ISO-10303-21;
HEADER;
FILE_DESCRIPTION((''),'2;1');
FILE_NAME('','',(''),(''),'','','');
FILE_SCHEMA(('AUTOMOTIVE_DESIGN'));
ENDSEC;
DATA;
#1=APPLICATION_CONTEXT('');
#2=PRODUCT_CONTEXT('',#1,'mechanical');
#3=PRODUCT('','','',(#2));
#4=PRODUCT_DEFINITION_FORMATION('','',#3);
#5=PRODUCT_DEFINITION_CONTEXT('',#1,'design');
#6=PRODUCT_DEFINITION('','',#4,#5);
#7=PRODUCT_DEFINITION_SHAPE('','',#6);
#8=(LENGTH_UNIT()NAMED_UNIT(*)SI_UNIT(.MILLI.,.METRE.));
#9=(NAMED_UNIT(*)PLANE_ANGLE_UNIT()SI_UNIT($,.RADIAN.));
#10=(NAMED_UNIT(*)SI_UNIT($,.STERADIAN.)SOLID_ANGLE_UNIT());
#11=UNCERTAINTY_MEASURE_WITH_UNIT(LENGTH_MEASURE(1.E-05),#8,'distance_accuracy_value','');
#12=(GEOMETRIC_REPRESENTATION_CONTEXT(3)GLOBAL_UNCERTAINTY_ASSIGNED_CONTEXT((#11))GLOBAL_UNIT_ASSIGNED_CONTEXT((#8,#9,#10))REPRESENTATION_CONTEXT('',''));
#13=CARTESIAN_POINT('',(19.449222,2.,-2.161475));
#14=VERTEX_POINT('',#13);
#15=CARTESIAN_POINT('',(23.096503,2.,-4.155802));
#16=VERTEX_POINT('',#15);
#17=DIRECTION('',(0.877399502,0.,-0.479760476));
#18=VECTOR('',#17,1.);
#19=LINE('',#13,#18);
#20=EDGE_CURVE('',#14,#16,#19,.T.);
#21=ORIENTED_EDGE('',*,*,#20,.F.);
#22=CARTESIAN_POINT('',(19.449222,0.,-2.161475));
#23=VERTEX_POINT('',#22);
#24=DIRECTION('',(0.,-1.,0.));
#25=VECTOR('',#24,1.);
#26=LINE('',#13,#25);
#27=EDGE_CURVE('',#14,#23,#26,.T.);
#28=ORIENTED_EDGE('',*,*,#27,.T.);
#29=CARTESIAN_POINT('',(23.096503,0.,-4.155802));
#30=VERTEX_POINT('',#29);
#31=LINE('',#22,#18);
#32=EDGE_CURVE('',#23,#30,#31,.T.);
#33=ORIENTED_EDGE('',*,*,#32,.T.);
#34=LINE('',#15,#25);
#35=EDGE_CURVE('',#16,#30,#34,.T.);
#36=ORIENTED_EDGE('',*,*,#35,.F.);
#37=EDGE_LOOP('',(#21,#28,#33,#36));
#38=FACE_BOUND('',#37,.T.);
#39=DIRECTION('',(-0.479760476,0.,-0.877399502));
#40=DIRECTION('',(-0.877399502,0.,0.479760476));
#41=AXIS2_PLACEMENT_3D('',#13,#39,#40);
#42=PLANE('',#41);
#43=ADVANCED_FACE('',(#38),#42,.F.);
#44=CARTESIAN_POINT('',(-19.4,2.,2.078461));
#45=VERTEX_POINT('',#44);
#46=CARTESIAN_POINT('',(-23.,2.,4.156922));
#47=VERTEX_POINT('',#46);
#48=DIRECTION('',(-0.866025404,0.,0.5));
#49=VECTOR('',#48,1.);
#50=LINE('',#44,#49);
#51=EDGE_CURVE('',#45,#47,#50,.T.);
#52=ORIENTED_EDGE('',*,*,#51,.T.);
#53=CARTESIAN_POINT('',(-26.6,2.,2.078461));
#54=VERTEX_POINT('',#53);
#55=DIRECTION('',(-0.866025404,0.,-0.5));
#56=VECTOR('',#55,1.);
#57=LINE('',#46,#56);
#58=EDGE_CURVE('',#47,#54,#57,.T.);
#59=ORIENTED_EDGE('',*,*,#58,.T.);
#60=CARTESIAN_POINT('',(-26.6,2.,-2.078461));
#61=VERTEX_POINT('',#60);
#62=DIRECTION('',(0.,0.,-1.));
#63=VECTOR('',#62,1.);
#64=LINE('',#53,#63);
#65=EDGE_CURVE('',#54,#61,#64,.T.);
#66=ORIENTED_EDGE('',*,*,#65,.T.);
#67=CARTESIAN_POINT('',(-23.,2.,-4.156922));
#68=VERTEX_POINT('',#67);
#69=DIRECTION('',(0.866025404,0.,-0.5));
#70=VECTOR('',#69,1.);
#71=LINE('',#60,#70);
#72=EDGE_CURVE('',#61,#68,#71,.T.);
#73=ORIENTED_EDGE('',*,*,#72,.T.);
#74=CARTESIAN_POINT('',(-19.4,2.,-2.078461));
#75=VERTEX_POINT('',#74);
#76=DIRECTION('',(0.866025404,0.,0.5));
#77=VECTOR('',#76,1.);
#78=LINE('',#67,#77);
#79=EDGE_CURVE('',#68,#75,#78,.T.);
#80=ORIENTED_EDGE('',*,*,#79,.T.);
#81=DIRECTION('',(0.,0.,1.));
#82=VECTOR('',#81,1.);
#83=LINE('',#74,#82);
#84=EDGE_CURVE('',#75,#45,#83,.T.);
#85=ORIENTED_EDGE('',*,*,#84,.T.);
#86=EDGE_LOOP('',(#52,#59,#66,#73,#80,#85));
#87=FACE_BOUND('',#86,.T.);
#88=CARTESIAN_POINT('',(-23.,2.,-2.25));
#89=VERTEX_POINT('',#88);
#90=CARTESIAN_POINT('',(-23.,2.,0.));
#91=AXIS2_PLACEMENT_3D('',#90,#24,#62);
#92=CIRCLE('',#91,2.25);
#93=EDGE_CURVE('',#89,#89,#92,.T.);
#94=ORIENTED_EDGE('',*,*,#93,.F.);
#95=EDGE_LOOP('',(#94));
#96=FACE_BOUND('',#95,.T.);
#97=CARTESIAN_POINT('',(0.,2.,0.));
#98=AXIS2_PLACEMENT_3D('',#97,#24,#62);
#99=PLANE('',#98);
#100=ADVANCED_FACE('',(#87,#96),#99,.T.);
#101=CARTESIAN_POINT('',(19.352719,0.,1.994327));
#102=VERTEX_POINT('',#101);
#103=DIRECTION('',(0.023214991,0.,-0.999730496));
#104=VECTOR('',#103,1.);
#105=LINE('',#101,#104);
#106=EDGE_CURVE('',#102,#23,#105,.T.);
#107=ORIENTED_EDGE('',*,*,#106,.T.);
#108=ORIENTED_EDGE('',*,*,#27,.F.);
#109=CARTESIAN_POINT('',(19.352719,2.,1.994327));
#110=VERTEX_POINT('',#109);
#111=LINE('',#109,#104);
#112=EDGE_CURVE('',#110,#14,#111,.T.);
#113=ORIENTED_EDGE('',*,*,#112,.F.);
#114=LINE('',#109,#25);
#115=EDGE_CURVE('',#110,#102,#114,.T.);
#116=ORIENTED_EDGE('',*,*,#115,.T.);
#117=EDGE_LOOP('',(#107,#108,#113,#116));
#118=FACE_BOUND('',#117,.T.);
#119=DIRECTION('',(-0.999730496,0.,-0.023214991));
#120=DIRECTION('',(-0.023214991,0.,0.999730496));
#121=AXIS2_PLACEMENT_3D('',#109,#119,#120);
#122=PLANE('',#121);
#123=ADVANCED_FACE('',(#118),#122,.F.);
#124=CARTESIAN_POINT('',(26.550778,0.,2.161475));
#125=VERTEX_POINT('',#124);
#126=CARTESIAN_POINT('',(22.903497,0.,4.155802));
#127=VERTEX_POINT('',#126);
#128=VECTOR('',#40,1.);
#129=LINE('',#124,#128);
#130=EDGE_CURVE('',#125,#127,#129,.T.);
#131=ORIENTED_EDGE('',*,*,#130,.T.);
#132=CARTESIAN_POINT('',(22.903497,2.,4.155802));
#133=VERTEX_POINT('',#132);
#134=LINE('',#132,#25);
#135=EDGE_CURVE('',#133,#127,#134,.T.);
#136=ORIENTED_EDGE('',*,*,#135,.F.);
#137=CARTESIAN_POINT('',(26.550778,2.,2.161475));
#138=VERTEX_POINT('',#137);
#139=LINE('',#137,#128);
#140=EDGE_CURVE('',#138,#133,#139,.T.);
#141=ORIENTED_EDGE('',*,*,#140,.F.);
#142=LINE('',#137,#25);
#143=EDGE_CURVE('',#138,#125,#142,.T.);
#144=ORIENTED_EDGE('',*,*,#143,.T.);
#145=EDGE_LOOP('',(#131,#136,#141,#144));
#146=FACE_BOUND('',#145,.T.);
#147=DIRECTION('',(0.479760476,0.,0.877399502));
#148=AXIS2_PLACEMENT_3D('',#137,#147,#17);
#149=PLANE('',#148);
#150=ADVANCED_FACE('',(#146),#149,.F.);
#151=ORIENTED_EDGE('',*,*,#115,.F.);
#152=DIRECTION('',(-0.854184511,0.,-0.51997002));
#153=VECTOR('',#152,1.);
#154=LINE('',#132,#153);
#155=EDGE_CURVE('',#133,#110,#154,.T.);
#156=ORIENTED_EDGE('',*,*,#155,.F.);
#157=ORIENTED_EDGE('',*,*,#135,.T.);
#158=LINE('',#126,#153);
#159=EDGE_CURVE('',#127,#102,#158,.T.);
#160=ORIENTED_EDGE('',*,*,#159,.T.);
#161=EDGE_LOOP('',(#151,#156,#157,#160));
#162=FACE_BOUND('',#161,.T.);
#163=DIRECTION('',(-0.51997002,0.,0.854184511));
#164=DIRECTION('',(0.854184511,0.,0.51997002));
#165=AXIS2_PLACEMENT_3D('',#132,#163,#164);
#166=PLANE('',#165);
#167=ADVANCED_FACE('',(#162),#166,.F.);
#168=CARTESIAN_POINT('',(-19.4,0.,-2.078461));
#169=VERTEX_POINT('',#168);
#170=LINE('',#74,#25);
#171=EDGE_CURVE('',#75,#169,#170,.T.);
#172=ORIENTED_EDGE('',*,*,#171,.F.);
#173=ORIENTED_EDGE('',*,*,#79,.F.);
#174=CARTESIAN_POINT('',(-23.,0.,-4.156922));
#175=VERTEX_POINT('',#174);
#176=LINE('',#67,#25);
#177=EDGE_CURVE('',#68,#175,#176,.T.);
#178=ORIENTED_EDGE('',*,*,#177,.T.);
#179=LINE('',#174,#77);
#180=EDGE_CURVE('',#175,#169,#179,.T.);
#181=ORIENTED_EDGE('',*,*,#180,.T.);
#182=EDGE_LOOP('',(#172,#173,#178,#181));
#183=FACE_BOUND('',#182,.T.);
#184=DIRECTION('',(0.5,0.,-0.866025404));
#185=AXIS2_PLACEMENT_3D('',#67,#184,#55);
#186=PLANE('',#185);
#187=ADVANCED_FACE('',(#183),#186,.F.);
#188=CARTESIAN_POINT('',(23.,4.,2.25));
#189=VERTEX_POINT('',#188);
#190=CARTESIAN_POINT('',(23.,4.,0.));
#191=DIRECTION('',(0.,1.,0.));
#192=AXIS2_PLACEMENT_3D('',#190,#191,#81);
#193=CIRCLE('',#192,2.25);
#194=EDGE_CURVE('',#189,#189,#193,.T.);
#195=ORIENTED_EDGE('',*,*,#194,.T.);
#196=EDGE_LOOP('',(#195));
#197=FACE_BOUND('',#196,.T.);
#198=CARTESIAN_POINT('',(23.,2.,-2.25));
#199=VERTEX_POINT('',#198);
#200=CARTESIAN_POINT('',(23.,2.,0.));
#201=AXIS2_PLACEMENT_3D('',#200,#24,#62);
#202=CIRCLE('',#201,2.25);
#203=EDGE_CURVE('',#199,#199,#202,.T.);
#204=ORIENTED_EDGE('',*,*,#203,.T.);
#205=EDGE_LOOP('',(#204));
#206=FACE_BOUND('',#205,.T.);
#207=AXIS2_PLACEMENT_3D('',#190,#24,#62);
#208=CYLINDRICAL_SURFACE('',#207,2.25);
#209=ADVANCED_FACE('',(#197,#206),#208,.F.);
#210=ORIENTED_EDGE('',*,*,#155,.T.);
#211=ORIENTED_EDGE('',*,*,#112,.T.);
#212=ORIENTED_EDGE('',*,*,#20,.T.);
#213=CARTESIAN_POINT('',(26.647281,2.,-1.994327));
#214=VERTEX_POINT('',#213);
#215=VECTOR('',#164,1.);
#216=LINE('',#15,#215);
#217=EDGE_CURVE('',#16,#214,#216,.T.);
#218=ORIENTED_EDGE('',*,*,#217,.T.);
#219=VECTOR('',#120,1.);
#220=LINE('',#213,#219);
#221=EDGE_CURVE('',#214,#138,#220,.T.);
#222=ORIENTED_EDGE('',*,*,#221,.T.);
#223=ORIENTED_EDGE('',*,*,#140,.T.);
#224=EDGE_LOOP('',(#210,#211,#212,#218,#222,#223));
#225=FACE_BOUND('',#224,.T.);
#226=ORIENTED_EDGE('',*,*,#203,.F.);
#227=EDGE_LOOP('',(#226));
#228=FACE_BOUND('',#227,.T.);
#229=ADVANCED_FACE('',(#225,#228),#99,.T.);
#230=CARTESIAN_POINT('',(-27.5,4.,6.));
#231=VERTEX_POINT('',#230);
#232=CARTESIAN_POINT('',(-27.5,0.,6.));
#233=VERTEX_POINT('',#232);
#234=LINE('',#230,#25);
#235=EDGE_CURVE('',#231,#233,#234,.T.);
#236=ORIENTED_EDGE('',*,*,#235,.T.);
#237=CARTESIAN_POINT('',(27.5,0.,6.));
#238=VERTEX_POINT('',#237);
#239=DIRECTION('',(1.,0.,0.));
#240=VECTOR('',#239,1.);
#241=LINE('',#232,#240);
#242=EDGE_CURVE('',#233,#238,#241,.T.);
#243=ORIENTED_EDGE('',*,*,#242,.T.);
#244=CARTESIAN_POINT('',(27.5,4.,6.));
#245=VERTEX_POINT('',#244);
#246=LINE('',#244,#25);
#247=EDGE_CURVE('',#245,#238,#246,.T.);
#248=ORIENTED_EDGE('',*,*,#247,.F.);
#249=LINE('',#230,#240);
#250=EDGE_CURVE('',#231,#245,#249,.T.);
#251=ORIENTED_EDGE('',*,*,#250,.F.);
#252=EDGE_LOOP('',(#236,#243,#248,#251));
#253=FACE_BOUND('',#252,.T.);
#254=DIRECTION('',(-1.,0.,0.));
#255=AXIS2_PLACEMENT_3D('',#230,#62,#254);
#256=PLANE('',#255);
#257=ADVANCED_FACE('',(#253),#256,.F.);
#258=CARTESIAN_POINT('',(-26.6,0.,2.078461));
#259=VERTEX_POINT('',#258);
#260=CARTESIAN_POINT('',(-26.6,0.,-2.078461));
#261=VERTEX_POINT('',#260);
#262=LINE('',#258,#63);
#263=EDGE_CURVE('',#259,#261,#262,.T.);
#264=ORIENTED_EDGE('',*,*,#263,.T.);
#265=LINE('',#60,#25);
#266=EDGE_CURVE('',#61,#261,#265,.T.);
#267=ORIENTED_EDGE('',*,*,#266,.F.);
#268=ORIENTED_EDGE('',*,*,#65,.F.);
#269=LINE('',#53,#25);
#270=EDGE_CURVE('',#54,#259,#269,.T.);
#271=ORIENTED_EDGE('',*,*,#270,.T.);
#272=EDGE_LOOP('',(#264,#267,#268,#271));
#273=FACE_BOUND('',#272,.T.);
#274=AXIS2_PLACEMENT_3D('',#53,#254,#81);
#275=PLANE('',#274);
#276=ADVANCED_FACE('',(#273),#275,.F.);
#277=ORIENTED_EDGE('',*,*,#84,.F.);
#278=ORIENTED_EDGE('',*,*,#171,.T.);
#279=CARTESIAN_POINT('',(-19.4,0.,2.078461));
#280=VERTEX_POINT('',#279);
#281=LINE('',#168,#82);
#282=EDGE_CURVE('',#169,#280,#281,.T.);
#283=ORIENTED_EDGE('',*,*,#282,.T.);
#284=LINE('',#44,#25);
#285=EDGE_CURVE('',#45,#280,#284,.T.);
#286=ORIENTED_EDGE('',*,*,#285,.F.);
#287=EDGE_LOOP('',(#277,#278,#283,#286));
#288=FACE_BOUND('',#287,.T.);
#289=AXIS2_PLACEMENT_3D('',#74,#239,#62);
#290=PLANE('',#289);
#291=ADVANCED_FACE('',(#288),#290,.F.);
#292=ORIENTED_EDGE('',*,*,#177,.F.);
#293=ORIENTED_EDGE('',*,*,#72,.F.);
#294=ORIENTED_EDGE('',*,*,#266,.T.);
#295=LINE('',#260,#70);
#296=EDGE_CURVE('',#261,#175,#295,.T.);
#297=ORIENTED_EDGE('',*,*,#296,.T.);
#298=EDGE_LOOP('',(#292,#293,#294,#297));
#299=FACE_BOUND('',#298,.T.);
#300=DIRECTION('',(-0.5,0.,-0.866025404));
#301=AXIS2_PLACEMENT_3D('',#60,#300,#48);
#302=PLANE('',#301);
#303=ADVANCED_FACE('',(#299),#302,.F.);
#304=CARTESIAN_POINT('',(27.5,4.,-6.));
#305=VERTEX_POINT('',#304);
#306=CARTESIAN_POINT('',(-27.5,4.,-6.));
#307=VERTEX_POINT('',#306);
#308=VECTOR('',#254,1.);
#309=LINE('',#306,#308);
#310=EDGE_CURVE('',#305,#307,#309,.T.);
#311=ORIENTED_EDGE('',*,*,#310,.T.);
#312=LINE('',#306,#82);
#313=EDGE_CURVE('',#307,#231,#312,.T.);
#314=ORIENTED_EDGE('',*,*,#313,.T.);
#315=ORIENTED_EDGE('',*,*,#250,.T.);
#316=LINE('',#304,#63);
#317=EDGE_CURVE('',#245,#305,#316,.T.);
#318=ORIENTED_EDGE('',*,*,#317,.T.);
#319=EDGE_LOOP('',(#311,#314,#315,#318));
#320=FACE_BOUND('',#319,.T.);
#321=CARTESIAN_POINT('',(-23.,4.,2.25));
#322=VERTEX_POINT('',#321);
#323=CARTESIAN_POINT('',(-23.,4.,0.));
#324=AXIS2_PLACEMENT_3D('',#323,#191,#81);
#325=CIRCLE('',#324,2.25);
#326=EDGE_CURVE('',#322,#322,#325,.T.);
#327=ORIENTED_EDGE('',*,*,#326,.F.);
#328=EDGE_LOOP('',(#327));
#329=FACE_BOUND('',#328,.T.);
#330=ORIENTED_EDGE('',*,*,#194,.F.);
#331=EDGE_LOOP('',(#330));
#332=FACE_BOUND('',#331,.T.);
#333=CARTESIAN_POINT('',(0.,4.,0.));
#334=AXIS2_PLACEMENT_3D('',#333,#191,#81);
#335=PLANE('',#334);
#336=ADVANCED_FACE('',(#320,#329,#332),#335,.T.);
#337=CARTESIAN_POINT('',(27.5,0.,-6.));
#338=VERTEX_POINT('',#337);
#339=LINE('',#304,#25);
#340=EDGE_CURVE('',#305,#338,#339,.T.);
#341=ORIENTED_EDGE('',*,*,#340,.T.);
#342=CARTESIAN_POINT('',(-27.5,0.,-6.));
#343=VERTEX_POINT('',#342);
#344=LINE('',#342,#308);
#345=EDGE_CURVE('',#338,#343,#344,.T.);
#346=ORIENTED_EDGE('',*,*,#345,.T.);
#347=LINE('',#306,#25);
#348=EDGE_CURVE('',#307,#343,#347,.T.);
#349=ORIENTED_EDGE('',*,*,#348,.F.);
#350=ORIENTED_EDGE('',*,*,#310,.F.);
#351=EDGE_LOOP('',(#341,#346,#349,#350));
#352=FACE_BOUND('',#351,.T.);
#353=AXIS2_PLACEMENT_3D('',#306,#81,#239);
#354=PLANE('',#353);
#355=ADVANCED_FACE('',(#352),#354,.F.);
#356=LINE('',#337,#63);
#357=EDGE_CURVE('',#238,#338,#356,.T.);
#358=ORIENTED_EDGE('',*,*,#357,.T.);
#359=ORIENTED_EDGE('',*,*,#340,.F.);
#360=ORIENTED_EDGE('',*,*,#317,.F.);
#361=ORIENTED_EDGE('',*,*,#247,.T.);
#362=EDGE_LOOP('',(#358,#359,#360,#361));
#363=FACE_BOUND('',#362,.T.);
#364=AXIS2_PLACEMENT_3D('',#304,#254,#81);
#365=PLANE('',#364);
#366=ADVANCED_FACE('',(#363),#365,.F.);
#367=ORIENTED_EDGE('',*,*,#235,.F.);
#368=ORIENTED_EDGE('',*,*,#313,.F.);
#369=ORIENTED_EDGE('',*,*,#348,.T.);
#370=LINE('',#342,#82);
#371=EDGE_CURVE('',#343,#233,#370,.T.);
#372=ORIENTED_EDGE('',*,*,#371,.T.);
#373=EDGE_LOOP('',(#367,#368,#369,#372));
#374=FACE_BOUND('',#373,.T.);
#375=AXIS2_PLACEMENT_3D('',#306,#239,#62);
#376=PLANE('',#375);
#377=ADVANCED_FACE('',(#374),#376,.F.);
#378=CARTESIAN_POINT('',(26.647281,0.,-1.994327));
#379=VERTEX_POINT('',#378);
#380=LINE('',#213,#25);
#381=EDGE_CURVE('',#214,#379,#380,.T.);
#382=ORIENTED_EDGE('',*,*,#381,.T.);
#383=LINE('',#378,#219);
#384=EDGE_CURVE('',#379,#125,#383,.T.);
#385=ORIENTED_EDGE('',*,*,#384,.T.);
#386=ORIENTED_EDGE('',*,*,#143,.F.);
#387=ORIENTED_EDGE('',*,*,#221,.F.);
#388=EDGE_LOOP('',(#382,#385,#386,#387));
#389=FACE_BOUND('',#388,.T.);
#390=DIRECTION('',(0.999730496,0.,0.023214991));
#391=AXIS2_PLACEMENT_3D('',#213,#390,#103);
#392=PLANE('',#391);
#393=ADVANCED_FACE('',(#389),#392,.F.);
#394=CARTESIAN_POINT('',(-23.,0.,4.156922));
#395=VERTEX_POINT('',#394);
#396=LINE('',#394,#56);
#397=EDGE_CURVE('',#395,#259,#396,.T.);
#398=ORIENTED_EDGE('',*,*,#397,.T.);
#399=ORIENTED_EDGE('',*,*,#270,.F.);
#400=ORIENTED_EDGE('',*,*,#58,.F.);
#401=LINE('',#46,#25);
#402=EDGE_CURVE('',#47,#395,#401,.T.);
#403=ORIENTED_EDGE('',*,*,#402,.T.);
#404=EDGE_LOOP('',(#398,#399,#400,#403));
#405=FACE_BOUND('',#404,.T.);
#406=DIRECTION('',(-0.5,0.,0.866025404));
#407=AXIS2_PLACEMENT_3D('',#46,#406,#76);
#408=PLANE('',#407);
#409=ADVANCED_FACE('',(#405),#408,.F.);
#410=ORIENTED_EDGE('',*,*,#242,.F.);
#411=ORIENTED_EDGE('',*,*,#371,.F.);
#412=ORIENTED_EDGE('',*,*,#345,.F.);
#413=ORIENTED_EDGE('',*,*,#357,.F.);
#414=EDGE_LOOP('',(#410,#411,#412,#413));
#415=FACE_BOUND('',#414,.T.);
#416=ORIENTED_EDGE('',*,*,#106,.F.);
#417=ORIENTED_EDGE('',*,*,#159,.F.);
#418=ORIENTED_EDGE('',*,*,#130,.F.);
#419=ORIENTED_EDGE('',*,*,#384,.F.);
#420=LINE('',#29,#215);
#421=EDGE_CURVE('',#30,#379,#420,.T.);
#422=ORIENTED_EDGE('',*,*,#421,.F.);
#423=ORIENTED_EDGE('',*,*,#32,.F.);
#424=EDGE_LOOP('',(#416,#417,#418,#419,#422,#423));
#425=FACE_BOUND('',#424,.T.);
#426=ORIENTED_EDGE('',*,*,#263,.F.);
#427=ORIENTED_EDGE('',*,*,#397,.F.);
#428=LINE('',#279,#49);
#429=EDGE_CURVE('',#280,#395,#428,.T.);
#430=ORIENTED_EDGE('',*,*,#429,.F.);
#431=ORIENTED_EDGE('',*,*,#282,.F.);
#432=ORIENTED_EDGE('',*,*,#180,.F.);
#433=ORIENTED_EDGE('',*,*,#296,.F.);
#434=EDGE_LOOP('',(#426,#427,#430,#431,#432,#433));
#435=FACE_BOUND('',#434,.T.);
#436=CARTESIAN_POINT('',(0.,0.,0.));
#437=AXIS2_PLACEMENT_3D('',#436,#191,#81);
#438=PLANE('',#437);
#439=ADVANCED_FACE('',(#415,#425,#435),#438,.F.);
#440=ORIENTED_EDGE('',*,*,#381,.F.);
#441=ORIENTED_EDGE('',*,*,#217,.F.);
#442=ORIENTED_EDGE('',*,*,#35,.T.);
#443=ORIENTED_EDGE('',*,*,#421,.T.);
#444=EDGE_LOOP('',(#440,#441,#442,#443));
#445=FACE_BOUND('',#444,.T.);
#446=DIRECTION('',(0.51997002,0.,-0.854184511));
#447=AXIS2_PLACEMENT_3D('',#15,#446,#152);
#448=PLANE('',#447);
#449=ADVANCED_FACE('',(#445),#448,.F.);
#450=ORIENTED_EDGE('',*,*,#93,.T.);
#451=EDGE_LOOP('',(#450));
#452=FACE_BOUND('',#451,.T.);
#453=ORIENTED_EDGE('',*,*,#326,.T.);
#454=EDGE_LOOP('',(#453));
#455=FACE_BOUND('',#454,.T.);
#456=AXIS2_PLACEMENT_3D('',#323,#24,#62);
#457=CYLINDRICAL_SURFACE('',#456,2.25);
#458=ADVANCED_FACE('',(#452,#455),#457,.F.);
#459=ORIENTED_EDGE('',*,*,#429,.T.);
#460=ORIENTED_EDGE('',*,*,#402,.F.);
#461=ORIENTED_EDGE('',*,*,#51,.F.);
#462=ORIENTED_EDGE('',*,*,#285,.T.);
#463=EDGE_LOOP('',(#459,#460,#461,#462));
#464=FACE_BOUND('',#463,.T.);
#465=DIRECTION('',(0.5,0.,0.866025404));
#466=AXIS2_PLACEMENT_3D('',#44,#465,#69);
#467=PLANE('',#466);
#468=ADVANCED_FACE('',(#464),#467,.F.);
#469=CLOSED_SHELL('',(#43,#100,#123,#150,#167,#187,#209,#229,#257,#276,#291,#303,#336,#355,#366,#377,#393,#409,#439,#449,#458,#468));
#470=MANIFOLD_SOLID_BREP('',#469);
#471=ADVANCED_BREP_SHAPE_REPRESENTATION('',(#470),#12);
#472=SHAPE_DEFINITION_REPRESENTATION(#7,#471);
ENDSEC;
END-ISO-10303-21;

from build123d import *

# Parameters (mm, degrees)
SKETCH1_W           = 55
SKETCH1_H           = 12
SKETCH1_R           = 2.25
BOSS_EXTRUDE1_DEPTH = 4
CUT_EXTRUDE1_DEPTH  = 2


with BuildPart() as part:
    # Sketch1 → Boss-Extrude1 (new body)
    with BuildSketch(Plane(origin=(0, 0, 0), x_dir=(1, 0, 0), z_dir=(0, 1, 0))):
        Rectangle(SKETCH1_W, SKETCH1_H)
        with Locations((-23, 0)):
            Circle(SKETCH1_R, mode=Mode.SUBTRACT)
        with Locations((23, 0)):
            Circle(SKETCH1_R, mode=Mode.SUBTRACT)
    extrude(amount=BOSS_EXTRUDE1_DEPTH)

    # Sketch2 → Cut-Extrude1 (cut)
    with BuildSketch(Plane(origin=(0, 0, 0), x_dir=(-1, 0, 0), z_dir=(0, -1, 0))):
        Polygon((-19.449221668, 2.161474783), (-23.096502906, 4.15580163), (-26.647281238, 1.994326847), (-26.550778332, -2.161474783), (-22.903497094, -4.15580163), (-19.352718762, -1.994326847), align=None)
        Polygon((23, 4.156921938), (19.4, 2.078460969), (19.4, -2.078460969), (23, -4.156921938), (26.6, -2.078460969), (26.6, 2.078460969), align=None)
    extrude(amount=-CUT_EXTRUDE1_DEPTH, mode=Mode.SUBTRACT)


solid = part.part
